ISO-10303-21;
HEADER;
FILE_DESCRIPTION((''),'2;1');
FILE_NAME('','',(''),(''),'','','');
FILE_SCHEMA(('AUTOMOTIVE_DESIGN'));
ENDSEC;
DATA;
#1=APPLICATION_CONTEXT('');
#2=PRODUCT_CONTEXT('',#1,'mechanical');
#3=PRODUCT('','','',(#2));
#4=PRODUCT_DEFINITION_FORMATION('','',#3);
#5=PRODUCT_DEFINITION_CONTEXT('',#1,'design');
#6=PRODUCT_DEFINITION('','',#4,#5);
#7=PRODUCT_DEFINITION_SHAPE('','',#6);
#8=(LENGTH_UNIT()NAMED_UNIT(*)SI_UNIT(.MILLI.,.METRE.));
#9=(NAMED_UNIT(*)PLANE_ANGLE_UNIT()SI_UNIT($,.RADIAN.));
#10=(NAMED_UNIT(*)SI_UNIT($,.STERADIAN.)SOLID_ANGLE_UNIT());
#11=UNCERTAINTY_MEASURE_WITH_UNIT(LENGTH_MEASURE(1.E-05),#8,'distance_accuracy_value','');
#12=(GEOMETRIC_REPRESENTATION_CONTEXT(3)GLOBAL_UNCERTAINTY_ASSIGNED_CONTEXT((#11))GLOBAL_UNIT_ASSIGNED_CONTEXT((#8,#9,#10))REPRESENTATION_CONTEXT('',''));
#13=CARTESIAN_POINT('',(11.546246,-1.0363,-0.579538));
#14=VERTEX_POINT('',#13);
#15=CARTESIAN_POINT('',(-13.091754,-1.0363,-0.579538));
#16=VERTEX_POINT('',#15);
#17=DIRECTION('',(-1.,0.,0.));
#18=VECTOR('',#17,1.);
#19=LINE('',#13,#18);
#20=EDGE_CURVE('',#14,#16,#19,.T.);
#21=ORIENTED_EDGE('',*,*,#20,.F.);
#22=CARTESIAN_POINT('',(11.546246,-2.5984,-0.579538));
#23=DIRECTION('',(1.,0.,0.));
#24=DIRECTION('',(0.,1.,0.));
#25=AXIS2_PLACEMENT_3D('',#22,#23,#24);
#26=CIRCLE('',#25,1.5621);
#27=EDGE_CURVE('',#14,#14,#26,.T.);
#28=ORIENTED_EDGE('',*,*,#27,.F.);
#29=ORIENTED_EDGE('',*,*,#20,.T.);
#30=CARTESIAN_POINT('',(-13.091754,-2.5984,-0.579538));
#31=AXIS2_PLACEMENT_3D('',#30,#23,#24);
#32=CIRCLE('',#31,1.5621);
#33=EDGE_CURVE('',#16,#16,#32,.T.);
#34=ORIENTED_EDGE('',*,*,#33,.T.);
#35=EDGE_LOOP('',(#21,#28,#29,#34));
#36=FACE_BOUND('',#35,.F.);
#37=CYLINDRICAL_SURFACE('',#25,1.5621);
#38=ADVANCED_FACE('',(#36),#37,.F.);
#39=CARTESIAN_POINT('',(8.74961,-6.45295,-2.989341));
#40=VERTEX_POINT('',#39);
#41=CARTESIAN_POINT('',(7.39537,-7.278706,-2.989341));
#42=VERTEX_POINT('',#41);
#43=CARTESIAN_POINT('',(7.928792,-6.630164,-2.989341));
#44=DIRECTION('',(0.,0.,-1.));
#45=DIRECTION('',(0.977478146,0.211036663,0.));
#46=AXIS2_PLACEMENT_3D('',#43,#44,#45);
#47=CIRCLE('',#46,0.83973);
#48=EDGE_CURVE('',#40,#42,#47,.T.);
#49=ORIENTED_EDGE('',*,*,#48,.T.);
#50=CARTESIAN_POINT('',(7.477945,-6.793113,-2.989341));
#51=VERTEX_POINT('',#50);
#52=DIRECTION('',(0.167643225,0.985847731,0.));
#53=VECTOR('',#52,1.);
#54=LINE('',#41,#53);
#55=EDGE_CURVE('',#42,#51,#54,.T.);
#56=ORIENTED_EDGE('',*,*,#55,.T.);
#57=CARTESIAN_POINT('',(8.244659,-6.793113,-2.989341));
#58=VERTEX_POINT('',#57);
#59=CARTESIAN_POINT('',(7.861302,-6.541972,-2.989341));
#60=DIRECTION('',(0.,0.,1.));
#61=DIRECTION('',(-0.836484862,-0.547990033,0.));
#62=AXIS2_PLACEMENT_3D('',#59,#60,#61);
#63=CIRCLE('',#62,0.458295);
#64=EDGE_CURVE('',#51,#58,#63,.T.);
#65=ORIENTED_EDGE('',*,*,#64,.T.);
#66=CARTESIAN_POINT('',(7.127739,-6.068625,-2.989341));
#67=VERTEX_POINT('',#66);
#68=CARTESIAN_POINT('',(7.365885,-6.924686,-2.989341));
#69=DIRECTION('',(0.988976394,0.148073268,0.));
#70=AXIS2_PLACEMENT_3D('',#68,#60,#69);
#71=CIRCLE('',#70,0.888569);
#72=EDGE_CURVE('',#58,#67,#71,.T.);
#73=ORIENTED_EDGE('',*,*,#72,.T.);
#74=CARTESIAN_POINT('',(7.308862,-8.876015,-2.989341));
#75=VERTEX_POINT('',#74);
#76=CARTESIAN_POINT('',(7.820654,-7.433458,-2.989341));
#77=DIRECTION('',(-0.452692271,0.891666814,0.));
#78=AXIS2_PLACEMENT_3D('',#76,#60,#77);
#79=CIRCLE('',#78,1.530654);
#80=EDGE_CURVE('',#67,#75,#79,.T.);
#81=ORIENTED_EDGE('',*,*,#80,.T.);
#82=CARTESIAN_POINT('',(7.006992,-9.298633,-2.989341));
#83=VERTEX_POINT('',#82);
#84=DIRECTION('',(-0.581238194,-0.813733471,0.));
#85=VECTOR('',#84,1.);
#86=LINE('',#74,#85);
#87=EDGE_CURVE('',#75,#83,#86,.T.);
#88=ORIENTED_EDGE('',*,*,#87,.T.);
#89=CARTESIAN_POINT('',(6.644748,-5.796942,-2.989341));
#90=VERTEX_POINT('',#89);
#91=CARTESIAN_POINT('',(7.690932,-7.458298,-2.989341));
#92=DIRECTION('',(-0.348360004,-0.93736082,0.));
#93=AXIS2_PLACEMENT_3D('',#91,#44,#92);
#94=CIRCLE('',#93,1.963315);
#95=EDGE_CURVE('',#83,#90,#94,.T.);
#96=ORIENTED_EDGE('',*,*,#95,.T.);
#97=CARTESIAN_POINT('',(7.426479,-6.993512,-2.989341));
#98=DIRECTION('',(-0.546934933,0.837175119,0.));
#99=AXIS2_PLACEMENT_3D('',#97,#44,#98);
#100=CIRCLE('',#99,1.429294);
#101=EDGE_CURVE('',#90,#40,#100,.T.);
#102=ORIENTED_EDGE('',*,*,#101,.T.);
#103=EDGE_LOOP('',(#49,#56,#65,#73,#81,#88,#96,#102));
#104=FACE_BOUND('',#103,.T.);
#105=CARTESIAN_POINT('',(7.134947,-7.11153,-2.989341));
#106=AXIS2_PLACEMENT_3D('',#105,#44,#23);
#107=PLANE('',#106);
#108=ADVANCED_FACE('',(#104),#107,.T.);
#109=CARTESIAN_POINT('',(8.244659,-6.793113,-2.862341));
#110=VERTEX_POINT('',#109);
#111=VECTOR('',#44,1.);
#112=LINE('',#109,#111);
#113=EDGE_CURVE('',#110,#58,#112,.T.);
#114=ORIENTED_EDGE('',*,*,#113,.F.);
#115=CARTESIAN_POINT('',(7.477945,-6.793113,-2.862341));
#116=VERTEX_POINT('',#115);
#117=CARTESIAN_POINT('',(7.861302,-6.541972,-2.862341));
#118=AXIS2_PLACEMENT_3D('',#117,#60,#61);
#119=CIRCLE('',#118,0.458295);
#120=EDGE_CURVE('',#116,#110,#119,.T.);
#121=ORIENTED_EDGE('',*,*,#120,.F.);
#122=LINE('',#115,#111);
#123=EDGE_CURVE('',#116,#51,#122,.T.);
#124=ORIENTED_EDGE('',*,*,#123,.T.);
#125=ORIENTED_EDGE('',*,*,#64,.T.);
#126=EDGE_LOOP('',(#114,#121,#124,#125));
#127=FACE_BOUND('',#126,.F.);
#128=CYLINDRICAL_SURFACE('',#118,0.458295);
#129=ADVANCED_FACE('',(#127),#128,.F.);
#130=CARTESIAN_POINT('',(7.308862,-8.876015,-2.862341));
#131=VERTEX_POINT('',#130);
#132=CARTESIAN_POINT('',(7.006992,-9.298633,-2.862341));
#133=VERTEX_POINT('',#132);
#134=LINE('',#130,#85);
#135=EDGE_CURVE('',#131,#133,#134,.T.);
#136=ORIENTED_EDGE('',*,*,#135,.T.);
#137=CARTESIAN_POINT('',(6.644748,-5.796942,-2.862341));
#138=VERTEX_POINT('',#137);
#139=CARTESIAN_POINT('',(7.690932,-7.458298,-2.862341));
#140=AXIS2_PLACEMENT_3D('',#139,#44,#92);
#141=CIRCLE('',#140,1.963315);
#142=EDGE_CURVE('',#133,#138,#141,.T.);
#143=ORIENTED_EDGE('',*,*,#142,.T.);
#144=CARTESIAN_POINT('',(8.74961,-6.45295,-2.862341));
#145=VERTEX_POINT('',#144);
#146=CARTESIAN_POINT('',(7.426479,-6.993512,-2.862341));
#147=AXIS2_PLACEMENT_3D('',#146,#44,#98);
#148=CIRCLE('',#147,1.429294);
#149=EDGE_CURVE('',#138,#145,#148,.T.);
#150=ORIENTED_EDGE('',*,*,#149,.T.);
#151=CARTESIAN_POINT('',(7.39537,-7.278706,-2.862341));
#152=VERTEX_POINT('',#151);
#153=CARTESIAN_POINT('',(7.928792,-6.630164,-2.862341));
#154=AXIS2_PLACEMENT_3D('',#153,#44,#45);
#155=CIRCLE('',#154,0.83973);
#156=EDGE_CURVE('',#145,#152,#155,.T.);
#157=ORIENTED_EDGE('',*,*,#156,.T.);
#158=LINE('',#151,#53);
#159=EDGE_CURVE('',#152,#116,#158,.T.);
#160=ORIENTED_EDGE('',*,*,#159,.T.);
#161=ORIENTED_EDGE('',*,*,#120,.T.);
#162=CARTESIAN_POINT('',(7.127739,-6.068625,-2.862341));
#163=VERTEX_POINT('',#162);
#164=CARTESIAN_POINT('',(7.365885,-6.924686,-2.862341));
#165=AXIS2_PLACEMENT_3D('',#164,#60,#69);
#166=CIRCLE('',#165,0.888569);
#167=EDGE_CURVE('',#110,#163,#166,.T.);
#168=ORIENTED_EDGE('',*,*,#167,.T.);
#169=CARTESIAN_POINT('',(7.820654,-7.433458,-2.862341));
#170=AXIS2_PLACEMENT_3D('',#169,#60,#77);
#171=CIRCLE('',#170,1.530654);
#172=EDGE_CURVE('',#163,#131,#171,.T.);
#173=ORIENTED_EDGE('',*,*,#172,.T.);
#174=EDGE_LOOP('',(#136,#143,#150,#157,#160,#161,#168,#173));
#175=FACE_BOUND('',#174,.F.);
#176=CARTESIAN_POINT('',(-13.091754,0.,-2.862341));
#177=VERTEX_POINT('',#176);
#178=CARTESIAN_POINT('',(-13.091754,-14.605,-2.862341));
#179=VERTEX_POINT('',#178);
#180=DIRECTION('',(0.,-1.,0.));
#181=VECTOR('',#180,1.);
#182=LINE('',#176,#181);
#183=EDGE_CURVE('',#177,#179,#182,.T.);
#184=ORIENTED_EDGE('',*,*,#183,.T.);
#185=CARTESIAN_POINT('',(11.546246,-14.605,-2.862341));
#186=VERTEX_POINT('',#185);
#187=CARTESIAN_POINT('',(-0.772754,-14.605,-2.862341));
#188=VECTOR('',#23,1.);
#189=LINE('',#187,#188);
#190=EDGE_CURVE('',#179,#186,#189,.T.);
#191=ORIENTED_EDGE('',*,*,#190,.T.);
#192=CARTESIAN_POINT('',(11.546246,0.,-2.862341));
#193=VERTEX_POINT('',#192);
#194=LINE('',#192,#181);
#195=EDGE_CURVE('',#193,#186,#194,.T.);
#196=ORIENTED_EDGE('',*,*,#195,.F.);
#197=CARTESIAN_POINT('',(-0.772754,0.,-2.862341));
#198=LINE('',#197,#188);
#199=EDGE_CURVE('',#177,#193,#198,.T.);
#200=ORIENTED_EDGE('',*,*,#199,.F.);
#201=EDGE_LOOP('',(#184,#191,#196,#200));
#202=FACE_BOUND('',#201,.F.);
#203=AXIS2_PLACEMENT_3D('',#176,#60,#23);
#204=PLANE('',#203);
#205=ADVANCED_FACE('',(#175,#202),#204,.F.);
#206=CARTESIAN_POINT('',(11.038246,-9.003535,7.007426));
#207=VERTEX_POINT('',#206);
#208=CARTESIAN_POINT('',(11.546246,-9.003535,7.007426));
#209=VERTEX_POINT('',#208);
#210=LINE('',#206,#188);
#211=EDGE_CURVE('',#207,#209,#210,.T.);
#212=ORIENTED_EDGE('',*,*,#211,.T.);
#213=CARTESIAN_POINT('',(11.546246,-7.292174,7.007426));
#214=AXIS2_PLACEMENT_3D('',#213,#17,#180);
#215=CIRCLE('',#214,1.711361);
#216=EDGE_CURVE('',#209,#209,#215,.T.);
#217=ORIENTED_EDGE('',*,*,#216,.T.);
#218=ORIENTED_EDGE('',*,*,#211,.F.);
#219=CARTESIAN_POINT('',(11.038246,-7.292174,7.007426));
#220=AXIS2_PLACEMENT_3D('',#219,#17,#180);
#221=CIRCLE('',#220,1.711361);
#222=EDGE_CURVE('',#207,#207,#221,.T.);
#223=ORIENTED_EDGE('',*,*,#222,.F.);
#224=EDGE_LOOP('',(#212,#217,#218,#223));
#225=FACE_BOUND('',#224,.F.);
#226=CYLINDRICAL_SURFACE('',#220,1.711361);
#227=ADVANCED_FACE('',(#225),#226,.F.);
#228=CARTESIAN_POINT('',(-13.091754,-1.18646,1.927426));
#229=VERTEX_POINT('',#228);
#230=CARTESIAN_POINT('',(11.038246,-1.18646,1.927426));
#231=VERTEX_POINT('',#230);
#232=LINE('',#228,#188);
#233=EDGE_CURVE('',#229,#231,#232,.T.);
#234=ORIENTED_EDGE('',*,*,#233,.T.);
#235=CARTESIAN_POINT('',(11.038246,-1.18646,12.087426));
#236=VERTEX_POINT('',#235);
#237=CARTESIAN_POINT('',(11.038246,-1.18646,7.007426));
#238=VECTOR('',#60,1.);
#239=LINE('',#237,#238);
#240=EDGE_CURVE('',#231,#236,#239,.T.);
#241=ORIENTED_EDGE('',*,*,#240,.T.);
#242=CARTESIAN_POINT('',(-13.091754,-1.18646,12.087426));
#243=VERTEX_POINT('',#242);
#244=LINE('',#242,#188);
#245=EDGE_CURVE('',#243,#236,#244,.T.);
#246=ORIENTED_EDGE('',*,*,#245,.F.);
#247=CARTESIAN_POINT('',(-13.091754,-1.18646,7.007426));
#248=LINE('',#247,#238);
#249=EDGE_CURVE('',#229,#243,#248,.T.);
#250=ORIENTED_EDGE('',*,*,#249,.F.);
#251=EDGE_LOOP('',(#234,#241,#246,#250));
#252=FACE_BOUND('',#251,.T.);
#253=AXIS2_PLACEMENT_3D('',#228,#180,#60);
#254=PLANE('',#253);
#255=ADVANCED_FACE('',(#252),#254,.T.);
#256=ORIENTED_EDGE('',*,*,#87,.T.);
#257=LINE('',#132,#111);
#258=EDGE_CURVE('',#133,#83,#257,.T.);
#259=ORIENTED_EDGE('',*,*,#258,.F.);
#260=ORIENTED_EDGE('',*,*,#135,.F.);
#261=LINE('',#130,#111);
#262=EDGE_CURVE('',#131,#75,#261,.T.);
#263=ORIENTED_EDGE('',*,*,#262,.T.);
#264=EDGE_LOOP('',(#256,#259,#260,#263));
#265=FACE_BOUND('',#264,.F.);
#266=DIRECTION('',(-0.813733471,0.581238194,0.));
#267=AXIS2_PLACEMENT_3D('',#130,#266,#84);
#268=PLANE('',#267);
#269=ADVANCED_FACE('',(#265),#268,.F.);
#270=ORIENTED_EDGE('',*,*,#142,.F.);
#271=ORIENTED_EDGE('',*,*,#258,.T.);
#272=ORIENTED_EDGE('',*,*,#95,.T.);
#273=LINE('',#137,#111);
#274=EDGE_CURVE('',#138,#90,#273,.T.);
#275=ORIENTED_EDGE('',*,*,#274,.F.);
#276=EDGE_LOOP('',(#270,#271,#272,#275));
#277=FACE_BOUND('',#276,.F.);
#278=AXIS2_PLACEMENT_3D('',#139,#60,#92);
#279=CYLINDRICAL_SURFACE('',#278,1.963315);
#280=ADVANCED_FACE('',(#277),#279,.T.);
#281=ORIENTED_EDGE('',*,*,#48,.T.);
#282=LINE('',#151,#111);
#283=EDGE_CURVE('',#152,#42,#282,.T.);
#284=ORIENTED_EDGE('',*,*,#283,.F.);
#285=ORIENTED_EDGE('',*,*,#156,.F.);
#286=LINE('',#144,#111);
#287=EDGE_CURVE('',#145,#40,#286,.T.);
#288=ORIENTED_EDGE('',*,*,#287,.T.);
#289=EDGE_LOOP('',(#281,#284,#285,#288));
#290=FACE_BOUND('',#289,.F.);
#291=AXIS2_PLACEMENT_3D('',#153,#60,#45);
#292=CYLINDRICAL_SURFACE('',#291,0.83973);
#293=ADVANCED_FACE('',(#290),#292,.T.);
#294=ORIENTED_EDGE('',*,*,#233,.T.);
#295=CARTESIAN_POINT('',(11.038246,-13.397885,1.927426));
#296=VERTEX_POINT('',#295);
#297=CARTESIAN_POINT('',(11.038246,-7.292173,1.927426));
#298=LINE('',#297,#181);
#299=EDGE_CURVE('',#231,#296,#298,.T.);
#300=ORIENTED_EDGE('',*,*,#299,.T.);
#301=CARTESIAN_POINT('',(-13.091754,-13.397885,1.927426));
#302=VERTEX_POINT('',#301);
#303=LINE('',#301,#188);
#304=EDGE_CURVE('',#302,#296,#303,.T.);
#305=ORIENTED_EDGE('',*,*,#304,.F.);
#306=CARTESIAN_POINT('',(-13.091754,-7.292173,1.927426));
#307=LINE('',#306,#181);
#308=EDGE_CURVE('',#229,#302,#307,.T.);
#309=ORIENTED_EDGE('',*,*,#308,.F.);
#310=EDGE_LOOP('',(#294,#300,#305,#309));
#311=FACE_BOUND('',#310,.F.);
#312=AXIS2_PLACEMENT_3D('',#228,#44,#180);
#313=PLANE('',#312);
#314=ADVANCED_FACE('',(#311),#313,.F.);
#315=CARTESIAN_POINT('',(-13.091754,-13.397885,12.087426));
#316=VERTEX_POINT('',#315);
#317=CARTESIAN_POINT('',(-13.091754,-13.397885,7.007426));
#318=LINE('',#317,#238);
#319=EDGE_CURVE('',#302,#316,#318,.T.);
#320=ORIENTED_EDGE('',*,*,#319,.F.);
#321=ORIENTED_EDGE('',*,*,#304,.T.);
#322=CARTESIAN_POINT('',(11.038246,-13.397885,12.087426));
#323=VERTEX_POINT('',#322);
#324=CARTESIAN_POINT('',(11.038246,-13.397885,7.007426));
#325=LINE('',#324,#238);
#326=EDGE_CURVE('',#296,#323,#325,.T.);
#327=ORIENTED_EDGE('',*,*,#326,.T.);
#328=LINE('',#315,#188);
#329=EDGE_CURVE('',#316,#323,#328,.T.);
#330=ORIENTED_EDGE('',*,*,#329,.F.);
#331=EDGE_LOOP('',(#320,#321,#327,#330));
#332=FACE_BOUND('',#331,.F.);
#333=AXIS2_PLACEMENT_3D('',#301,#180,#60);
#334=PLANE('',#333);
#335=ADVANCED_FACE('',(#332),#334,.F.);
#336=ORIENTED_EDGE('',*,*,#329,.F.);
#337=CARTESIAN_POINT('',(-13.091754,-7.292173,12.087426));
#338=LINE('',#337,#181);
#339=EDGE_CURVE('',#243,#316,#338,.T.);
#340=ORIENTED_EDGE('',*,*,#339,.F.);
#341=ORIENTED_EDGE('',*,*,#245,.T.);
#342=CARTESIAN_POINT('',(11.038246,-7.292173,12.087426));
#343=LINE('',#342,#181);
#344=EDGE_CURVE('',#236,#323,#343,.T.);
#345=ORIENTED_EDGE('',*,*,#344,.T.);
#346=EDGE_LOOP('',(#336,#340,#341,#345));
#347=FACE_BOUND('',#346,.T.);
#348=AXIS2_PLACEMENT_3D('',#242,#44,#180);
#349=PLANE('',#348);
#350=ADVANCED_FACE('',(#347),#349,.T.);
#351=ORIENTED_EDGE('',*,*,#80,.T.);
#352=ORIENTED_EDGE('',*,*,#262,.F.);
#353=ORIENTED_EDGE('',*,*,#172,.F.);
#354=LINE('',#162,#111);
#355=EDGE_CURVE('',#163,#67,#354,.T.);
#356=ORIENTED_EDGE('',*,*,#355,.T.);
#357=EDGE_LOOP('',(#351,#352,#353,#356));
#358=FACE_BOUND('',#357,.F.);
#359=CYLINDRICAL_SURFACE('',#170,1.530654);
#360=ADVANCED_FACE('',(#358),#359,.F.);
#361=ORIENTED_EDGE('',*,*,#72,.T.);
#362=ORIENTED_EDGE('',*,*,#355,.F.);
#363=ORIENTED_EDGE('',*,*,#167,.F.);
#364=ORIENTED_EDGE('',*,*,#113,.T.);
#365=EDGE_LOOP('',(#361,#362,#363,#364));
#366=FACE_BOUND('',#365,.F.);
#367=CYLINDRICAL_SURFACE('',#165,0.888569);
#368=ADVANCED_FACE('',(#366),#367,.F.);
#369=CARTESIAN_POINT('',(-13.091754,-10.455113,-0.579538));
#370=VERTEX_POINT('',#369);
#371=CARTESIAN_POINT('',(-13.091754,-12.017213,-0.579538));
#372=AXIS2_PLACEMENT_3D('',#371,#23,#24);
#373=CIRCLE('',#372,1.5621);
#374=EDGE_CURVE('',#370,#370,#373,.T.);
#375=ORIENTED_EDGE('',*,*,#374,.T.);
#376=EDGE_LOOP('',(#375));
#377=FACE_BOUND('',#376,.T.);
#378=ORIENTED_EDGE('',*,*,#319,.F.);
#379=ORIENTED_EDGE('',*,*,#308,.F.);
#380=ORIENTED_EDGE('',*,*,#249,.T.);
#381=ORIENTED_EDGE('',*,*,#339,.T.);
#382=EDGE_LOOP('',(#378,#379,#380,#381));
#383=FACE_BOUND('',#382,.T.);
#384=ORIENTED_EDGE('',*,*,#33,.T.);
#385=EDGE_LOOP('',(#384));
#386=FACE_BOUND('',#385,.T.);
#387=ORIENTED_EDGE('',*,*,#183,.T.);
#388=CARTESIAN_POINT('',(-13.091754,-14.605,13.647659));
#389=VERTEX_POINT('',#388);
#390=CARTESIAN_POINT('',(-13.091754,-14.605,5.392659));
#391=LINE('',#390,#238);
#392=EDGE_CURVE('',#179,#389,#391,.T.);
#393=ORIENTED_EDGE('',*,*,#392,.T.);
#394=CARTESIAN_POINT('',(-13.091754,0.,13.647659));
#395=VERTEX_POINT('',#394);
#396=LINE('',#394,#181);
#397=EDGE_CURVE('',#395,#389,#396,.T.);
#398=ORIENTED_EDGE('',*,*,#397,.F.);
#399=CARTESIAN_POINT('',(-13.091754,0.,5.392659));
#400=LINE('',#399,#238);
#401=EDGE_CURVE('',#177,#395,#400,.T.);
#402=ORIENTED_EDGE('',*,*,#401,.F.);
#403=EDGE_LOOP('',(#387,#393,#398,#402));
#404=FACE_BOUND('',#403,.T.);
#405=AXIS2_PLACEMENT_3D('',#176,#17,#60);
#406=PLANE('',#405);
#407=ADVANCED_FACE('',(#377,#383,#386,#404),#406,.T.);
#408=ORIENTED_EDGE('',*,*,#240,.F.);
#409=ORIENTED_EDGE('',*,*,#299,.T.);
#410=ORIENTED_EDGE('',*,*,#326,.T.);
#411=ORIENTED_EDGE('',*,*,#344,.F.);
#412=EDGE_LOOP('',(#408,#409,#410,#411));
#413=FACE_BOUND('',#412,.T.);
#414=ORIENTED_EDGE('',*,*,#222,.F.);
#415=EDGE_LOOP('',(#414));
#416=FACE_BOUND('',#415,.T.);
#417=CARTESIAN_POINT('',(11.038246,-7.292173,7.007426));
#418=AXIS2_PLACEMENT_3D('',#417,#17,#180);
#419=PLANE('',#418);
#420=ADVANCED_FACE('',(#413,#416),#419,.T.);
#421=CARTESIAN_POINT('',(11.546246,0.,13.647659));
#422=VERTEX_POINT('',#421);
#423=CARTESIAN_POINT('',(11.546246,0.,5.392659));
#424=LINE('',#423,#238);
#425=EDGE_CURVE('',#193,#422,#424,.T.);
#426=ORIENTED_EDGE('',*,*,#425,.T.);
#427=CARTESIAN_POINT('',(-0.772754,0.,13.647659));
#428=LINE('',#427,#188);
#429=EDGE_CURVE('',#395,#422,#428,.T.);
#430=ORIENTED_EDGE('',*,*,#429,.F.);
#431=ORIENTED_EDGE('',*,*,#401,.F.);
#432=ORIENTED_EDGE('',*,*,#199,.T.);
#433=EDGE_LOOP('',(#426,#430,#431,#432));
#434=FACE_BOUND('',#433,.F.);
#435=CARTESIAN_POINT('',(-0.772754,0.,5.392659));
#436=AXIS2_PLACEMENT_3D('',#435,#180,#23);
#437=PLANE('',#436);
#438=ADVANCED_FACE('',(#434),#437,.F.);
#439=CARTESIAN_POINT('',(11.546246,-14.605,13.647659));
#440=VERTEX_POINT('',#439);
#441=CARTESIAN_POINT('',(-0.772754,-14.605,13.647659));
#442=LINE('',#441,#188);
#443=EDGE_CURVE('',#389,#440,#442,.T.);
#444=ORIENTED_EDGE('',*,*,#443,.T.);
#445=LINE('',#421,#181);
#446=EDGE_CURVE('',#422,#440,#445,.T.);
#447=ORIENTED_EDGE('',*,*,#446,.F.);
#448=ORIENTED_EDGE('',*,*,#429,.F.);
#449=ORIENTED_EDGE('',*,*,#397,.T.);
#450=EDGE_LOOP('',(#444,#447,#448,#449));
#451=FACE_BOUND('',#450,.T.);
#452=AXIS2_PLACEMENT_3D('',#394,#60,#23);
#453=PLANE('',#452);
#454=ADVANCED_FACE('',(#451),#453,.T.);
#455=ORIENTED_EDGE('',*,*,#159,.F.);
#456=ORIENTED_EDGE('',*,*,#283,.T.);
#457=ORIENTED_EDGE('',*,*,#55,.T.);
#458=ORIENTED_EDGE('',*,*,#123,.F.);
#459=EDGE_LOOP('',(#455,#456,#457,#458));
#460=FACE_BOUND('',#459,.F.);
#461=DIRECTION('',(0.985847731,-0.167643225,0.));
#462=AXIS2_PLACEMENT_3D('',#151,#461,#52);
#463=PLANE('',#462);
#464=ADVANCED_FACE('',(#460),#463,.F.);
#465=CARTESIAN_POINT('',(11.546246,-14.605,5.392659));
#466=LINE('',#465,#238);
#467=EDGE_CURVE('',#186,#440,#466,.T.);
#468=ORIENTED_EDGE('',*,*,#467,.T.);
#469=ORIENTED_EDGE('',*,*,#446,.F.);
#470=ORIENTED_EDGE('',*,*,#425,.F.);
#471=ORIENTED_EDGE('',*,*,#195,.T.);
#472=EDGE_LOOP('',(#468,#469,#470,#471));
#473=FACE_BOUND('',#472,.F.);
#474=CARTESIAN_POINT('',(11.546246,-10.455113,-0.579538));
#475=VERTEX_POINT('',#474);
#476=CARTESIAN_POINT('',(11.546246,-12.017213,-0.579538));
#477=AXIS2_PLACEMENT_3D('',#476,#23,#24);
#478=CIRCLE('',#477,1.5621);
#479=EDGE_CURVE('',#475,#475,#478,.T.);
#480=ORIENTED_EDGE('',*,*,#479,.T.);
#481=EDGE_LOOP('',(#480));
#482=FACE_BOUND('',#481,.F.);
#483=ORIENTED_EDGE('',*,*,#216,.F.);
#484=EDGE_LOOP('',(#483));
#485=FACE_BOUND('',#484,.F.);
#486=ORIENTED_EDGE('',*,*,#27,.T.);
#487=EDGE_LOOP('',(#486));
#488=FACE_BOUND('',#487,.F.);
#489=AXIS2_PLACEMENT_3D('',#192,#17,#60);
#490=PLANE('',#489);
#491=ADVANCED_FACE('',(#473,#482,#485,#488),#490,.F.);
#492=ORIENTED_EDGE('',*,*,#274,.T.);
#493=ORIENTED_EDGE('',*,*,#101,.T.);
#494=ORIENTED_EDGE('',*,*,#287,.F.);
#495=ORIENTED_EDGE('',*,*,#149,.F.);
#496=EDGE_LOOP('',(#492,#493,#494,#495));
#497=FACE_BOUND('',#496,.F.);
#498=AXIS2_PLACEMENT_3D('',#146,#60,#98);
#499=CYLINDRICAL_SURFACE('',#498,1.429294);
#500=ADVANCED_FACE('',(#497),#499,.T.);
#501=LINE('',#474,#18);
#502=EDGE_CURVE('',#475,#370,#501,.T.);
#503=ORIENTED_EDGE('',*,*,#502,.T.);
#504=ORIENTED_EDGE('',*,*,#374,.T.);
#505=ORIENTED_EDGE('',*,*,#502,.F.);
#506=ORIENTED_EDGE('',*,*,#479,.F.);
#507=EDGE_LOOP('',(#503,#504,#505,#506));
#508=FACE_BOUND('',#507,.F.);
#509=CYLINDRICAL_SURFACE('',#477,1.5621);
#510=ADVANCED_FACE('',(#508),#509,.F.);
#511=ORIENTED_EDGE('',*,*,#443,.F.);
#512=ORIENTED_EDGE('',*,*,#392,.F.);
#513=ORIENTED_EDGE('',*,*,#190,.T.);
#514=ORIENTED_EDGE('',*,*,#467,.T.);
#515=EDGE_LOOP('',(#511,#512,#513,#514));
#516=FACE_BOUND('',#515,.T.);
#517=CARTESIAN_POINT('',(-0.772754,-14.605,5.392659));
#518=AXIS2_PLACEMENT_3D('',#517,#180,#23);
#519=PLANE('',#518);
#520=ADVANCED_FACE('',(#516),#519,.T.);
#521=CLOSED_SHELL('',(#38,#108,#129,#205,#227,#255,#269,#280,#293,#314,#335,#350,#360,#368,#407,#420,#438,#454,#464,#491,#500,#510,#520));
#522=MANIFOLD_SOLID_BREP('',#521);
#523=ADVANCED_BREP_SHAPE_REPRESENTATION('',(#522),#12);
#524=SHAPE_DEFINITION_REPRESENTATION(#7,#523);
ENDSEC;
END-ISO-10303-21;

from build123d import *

# Parameters (mm, degrees)
F0_W     = 24.638
F0_H     = 16.51
F1_DEPTH = 14.605
F2_W     = 12.211425
F2_H     = 10.16
F3_DEPTH = 24.13
F4_R     = 1.711361
F5_DEPTH = 25.4
F6_R     = 1.5621
F7_DEPTH = 25.4
F9_DEPTH = 0.127


with BuildPart() as f1:
    # F0 (on Front) → F1 (new body)
    with BuildSketch(Plane.XZ):
        with Locations((-0.772754, 5.392659)):
            Rectangle(F0_W, F0_H)
    extrude(amount=F1_DEPTH)

    # F2 (on face) → F3 (cut)
    with BuildSketch(Plane(origin=(-13.091754, 0, 0), x_dir=(0, -1, 0), z_dir=(-1, 0, 0))):
        with Locations((7.292173, 7.007426)):
            Rectangle(F2_W, F2_H)
    extrude(amount=-F3_DEPTH, mode=Mode.SUBTRACT)

    # F4 (on face) → F5 (cut)
    with BuildSketch(Plane(origin=(11.038246, 0, 0), x_dir=(0, -1, 0), z_dir=(-1, 0, 0))):
        with Locations((7.292174, 7.007426)):
            Circle(F4_R)
    extrude(amount=-F5_DEPTH, mode=Mode.SUBTRACT)

    # F6 (on face) → F7 (cut)
    with BuildSketch(Plane.YZ.offset(11.546246)):
        with Locations((-2.5984, -0.579538)):
            Circle(F6_R)
        with Locations((-12.017213, -0.579538)):
            Circle(F6_R)
    extrude(amount=-F7_DEPTH, mode=Mode.SUBTRACT)

    # F8 (on face) → F9 (join)
    with BuildSketch(Plane(origin=(0, 0, -2.862341), x_dir=(1, 0, 0), z_dir=(0, 0, -1))):
        with BuildLine():
            Line((7.308862, 8.876015), (7.006992, 9.298633))
            ThreePointArc((7.006992, 9.298633), (5.738039, 7.660322), (6.644748, 5.796942))
            ThreePointArc((6.644748, 5.796942), (7.851761, 5.628954), (8.74961, 6.45295))
            ThreePointArc((8.74961, 6.45295), (8.365962, 7.347122), (7.39537, 7.278706))
            Line((7.39537, 7.278706), (7.477945, 6.793113))
            ThreePointArc((7.477945, 6.793113), (7.861302, 7.000267), (8.244659, 6.793113))
            ThreePointArc((8.244659, 6.793113), (7.849436, 6.179211), (7.127739, 6.068625))
            ThreePointArc((7.127739, 6.068625), (6.293176, 7.532006), (7.308862, 8.876015))
        make_face()
    extrude(amount=F9_DEPTH)


solid = f1.part
